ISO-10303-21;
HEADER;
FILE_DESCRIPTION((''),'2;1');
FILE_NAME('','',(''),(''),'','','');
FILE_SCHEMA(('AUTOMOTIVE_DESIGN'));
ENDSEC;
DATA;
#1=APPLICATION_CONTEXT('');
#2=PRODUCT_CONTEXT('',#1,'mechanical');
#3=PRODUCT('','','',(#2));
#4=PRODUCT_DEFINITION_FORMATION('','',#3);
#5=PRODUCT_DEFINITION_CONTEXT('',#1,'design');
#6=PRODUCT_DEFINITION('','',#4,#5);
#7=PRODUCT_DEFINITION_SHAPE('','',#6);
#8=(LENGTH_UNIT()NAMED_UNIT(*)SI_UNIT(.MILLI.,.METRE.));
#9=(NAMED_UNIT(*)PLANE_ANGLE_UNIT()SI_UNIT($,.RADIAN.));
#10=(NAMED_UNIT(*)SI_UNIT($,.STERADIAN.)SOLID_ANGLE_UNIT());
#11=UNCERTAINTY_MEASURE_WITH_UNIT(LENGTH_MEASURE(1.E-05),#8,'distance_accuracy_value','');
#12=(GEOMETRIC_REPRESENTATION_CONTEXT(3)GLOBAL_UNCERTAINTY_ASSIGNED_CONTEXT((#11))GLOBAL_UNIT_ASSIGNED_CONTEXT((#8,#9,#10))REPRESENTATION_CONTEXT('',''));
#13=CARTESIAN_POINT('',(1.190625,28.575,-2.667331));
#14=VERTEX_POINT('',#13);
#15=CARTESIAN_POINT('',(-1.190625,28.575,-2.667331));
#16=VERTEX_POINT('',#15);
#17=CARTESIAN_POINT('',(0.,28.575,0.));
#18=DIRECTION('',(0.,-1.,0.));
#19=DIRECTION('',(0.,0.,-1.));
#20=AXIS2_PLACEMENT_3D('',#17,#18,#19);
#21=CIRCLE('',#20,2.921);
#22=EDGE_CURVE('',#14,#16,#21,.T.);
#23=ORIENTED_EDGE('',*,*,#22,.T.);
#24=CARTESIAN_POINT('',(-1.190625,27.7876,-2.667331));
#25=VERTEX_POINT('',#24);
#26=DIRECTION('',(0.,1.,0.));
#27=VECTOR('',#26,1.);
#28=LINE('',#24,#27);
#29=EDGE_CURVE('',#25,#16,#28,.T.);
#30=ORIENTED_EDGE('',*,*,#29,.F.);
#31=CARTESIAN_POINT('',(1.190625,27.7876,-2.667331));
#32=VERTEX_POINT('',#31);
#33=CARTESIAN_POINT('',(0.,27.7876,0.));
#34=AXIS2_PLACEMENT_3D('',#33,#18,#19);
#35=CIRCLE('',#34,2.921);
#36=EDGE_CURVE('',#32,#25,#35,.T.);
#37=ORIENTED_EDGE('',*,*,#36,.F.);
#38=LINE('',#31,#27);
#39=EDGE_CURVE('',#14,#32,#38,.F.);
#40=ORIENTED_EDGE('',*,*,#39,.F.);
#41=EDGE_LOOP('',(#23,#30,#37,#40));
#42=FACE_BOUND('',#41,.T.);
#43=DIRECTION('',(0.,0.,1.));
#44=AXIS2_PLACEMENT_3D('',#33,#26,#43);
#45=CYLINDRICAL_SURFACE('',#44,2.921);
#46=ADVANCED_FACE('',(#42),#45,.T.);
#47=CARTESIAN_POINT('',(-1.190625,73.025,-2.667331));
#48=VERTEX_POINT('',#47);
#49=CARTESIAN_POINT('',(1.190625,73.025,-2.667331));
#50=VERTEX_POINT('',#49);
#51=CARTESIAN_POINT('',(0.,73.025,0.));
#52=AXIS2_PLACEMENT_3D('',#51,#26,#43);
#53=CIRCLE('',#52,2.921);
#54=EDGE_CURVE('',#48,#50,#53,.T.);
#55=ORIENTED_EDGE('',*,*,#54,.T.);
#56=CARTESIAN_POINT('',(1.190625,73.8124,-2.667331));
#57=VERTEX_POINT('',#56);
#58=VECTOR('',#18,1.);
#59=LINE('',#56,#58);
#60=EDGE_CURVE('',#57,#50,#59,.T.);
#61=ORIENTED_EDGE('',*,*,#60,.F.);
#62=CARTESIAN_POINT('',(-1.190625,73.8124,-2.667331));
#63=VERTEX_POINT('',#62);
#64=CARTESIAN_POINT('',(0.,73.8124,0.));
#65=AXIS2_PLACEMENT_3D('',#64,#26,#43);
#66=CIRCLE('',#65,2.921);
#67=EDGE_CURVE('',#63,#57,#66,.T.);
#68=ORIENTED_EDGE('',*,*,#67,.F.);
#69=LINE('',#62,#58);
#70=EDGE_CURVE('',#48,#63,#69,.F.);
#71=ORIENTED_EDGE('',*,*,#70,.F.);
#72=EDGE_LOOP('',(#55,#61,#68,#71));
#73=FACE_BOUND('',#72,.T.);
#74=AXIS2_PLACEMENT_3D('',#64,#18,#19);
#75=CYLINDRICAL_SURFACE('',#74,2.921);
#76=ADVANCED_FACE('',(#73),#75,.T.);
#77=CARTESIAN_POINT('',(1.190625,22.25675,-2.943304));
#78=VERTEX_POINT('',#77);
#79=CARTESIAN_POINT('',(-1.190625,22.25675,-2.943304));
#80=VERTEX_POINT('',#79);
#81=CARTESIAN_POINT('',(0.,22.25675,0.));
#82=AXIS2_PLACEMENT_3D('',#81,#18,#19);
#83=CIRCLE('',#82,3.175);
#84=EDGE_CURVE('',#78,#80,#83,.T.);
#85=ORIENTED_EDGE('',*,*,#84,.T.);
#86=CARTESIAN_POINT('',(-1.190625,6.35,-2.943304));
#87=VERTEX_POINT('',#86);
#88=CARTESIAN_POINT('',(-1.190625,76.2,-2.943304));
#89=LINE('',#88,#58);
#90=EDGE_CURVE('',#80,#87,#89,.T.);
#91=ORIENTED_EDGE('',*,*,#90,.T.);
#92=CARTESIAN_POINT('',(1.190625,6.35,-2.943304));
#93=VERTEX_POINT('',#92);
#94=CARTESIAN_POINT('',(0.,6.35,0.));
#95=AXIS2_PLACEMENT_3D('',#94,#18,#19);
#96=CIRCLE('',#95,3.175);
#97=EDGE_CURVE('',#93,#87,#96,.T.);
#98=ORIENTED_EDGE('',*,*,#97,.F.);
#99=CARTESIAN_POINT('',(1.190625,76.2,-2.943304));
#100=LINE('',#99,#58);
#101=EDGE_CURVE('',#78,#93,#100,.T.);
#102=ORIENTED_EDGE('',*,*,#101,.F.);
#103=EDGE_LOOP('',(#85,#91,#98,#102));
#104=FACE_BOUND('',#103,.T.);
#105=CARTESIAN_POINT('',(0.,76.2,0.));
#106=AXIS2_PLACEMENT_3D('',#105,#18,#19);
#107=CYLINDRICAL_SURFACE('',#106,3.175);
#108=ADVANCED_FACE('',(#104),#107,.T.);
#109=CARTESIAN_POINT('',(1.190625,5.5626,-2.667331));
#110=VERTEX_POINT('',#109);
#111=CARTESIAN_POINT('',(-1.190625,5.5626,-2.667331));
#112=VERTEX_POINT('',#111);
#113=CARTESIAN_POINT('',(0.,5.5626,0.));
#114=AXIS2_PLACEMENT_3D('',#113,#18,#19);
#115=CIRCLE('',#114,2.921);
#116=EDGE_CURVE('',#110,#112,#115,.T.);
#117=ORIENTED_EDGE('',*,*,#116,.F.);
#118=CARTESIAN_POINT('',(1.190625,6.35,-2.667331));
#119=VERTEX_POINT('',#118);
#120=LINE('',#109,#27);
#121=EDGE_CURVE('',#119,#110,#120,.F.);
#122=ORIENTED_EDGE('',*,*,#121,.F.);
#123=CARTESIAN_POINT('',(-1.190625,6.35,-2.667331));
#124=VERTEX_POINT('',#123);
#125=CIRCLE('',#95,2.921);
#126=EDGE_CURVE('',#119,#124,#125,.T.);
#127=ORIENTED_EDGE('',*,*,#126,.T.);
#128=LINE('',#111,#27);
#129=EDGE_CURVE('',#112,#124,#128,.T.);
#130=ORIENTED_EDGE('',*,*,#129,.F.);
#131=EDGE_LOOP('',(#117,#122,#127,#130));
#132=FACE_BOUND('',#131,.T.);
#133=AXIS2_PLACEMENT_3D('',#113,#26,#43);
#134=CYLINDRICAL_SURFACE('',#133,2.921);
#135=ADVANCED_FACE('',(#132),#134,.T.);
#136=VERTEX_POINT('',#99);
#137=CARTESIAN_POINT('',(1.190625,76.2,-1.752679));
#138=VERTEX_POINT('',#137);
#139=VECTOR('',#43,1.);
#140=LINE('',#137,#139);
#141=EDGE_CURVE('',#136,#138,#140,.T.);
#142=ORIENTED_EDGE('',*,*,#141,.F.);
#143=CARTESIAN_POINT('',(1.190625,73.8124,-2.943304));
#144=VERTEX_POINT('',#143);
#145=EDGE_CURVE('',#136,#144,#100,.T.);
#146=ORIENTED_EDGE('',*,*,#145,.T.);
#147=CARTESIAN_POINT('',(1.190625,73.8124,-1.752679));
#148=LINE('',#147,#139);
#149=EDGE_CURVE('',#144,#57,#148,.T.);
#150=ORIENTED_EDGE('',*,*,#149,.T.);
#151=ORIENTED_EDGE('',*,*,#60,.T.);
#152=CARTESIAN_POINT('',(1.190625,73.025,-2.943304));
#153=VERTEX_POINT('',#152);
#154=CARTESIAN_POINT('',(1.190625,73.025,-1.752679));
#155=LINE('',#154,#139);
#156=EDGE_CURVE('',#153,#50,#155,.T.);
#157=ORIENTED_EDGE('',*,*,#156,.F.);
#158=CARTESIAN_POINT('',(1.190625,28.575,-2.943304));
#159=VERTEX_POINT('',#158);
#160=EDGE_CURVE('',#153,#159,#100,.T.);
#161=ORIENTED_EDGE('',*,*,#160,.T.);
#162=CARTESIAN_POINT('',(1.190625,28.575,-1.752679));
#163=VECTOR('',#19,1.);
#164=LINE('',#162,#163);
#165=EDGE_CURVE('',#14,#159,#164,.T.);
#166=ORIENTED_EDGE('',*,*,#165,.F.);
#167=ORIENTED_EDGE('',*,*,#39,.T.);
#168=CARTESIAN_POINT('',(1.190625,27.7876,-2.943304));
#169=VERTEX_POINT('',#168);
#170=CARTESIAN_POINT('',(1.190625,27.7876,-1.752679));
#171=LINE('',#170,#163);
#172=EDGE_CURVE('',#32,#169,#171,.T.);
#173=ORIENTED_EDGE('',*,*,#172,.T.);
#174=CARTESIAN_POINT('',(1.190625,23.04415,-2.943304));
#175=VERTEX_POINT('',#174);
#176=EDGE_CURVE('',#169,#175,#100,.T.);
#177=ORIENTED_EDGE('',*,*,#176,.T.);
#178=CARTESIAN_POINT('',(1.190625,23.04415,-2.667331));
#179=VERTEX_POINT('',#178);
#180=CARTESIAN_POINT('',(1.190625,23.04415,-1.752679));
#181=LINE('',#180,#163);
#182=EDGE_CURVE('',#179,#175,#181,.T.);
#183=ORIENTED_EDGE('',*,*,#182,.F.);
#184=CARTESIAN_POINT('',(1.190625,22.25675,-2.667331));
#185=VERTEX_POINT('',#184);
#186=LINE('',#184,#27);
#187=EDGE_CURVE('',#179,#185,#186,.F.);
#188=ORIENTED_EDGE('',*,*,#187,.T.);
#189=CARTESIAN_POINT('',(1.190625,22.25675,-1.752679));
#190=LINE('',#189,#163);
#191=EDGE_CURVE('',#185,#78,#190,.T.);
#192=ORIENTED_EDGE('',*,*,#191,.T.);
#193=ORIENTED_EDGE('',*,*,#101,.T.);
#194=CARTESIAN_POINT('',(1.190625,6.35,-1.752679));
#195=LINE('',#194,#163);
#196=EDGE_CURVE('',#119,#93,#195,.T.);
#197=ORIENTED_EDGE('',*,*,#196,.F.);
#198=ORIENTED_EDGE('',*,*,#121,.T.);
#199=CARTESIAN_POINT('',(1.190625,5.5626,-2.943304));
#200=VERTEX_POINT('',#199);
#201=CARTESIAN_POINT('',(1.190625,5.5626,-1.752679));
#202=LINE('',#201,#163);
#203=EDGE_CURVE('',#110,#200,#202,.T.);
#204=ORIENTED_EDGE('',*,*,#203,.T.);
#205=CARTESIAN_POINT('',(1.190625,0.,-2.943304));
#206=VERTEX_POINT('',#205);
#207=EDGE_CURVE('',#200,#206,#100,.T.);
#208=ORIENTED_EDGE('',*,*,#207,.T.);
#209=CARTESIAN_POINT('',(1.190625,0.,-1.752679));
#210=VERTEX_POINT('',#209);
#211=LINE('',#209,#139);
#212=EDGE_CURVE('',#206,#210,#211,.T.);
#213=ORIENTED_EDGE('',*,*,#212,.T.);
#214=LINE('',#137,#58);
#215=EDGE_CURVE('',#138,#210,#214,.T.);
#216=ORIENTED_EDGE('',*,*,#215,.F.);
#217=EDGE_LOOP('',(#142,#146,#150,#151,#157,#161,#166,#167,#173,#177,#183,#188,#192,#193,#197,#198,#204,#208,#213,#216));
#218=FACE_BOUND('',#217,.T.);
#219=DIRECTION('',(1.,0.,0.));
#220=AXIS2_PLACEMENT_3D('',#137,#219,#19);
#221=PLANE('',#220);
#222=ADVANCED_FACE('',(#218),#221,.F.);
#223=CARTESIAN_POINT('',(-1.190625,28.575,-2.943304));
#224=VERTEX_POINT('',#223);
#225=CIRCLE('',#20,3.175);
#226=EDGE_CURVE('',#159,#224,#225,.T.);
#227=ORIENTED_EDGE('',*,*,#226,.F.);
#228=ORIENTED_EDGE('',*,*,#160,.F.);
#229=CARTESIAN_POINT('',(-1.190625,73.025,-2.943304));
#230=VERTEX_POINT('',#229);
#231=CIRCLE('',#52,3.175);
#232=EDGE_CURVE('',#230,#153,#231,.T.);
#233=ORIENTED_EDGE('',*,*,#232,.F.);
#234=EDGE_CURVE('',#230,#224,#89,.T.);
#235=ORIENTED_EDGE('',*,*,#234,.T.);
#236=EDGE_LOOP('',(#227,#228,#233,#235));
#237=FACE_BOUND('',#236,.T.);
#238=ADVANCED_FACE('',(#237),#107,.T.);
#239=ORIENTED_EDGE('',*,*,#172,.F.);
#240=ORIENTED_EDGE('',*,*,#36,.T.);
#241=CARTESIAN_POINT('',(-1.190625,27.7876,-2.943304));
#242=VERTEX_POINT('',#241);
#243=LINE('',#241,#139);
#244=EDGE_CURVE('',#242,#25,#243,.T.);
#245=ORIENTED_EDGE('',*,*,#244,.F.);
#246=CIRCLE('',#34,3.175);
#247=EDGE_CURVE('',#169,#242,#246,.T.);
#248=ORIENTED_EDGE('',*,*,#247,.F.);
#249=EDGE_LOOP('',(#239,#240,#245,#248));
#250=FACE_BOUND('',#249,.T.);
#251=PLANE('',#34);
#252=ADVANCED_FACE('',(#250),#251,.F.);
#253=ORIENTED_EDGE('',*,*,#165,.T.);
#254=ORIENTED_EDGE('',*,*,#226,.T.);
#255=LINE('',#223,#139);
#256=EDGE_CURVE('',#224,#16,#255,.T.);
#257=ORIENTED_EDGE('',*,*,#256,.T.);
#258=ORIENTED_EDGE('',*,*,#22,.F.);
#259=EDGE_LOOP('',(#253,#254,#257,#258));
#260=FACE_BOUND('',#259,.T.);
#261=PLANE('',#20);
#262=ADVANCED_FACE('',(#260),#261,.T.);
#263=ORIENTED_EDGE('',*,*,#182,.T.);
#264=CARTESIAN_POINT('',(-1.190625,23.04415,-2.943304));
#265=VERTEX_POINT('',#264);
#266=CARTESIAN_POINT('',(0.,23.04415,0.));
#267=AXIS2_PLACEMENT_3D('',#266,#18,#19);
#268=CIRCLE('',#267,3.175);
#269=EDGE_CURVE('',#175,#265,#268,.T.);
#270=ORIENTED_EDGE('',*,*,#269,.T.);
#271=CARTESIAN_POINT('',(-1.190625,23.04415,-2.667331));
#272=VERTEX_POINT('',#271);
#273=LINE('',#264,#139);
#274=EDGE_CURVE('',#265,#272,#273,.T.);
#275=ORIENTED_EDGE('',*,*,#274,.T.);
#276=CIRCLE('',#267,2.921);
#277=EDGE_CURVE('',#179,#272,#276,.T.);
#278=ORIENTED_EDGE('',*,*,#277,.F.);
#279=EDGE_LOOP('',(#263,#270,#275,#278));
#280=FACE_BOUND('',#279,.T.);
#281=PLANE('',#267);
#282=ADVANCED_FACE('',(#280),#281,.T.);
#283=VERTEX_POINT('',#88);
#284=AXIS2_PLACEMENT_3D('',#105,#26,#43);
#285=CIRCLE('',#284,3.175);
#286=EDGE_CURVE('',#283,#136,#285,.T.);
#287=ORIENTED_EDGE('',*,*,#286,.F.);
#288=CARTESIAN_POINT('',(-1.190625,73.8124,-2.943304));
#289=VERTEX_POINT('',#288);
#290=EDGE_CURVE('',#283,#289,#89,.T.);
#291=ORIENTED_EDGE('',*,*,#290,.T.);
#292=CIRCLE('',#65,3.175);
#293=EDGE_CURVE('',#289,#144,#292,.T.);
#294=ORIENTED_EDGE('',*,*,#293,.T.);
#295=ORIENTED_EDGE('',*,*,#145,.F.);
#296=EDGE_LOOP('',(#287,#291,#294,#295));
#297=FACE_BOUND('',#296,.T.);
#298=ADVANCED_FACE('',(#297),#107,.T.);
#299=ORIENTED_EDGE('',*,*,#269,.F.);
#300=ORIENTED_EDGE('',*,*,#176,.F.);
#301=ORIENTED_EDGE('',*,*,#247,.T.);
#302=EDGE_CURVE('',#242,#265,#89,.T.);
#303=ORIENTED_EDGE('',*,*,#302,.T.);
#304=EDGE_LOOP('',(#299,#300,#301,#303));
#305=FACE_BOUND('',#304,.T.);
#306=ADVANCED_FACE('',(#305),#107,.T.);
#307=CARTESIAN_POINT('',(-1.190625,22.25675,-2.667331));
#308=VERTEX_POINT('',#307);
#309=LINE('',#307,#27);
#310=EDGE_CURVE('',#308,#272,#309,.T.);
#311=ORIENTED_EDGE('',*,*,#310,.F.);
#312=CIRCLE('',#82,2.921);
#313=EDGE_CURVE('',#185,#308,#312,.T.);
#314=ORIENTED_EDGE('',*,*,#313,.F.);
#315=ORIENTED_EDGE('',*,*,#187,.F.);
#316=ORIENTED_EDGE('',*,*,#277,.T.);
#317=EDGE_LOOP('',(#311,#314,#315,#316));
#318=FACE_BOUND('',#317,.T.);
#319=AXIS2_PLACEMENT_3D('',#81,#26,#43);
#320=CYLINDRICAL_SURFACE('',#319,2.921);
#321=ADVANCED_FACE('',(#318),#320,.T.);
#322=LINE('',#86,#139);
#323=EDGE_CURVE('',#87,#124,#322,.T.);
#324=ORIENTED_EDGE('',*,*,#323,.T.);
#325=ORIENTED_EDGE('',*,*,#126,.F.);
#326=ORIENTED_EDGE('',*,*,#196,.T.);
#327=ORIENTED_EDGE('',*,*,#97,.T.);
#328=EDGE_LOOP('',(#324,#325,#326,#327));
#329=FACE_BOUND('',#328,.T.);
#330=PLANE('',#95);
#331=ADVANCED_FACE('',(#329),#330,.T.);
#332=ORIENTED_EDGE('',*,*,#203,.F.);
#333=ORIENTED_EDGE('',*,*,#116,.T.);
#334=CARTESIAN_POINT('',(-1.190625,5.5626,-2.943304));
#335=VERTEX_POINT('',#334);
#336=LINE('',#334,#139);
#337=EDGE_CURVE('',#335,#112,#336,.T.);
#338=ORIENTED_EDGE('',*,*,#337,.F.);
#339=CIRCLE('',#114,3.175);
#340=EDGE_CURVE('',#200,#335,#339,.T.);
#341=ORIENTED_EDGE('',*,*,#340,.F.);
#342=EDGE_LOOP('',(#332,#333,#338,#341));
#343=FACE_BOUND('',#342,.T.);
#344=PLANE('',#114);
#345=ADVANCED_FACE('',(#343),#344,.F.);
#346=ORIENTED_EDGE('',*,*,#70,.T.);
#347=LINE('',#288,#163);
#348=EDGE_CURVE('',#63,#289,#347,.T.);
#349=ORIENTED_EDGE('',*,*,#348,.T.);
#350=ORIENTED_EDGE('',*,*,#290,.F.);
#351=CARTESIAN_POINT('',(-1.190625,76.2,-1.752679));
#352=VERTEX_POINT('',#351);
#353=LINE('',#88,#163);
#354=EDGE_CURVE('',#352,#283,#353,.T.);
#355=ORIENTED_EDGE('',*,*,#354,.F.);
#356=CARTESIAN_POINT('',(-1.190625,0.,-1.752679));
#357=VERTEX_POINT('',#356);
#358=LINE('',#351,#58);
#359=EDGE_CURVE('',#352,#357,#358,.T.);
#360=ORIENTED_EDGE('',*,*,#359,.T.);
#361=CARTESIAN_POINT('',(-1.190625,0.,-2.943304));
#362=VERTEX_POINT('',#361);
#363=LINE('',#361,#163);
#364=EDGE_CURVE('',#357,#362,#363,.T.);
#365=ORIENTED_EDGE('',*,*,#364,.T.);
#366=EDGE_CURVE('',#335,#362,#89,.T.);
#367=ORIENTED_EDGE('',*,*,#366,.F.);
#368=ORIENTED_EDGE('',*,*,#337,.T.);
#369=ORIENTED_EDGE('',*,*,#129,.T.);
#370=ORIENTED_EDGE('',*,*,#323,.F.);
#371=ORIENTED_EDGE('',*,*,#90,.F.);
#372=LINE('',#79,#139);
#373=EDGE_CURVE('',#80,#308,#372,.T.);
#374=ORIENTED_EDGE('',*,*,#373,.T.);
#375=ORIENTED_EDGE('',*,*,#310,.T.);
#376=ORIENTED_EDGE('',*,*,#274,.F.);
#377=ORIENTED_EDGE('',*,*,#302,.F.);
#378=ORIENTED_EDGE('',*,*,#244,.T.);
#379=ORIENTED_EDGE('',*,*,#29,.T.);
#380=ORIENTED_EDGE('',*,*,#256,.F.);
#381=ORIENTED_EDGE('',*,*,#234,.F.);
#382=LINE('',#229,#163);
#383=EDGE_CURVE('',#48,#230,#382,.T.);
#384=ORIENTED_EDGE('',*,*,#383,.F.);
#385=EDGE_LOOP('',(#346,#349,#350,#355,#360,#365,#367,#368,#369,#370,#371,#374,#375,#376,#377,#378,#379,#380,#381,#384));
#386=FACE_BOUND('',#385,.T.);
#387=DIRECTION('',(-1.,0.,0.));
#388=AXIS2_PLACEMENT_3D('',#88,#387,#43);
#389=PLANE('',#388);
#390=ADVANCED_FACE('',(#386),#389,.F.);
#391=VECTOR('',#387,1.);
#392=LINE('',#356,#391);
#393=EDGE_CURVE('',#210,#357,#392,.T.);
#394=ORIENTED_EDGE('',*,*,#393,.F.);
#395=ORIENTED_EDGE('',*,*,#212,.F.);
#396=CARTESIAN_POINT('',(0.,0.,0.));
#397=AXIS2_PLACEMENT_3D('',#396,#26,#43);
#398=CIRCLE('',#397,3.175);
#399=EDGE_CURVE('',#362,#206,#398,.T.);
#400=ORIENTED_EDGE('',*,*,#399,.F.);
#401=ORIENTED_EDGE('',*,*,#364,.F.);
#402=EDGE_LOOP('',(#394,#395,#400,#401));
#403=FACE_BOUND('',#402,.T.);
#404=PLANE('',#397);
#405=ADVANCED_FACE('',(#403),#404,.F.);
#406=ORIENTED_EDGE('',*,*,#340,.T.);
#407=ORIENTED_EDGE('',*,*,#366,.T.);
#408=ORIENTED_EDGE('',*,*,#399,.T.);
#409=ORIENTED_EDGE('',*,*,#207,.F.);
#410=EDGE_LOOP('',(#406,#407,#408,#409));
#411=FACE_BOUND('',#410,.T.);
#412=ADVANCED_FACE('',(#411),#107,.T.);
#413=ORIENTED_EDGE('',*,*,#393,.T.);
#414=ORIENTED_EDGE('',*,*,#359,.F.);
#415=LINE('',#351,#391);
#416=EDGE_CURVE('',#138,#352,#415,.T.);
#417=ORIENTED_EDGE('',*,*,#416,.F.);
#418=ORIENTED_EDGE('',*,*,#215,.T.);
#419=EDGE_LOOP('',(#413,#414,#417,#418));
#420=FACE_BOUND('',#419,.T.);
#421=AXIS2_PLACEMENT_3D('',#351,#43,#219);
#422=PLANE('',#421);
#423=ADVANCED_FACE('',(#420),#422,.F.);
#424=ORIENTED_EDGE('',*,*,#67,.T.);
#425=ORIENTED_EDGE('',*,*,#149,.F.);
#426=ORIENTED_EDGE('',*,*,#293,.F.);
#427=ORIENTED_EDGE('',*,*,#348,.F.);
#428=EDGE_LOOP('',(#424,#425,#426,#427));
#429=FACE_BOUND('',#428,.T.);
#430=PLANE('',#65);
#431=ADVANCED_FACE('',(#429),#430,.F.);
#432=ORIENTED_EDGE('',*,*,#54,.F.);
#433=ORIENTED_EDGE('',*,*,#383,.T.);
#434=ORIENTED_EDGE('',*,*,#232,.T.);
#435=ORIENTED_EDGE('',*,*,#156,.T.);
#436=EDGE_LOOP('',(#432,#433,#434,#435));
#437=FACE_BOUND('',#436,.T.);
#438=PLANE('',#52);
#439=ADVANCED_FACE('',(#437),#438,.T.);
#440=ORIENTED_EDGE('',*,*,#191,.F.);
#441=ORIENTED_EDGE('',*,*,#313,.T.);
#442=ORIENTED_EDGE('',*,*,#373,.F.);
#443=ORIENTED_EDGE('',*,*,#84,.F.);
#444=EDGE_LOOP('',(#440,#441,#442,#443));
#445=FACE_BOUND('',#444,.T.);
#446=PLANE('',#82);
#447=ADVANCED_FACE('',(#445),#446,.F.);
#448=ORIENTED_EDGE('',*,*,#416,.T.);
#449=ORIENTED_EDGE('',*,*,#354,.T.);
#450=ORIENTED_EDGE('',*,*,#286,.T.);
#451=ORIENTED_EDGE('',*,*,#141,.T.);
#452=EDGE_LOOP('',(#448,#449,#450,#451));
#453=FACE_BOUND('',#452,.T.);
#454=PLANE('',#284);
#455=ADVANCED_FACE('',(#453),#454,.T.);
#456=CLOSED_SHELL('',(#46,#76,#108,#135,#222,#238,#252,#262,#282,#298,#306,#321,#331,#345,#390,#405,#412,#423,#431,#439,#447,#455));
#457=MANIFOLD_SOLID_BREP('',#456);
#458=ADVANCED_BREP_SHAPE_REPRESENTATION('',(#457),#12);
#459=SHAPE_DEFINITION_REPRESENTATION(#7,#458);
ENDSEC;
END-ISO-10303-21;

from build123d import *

# Parameters (mm, degrees)
BOSS_EXTRUDE1_DEPTH = 76.2
CUT_EXTRUDE1_START  = -3.175
SKETCH2_R           = 3.175
SKETCH2_R_2         = 2.921
CUT_EXTRUDE1_DEPTH  = 0.7874
CUT_EXTRUDE2_START  = -6.35
SKETCH3_R           = 3.175
SKETCH3_R_2         = 2.921
CUT_EXTRUDE2_DEPTH  = 0.7874
CUT_EXTRUDE3_START  = -23.04415
SKETCH3_5_R         = 3.175
SKETCH3_5_R_2       = 2.921
CUT_EXTRUDE3_DEPTH  = 0.7874
CUT_EXTRUDE4_START  = -28.575
SKETCH3_6_R         = 3.175
SKETCH3_6_R_2       = 2.921
CUT_EXTRUDE4_DEPTH  = 0.7874


with BuildPart() as part:
    # Sketch1 → Boss-Extrude1 (new body)
    with BuildSketch(Plane(origin=(0, 0, 0), x_dir=(1, 0, 0), z_dir=(0, 1, 0))):
        with BuildLine():
            Line((-1.190625, 2.943303775), (-1.190625, 1.752678775))
            Line((-1.190625, 1.752678775), (1.190625, 1.752678775))
            Line((1.190625, 1.752678775), (1.190625, 2.943303775))
            ThreePointArc((1.190625, 2.943303775), (0, -3.175), (-1.190625, 2.943303775))
        make_face()
    extrude(amount=BOSS_EXTRUDE1_DEPTH)

    # Sketch2 → Cut-Extrude1 (cut)
    with BuildSketch(Plane(origin=(0, 76.2, 0), x_dir=(1, 0, 0), z_dir=(0, 1, 0)).offset(CUT_EXTRUDE1_START)):
        Circle(SKETCH2_R)
        Circle(SKETCH2_R_2, mode=Mode.SUBTRACT)
    extrude(amount=CUT_EXTRUDE1_DEPTH, mode=Mode.SUBTRACT)

    # Sketch3 → Cut-Extrude2 (cut)
    with BuildSketch(Plane.XZ.offset(CUT_EXTRUDE2_START)):
        Circle(SKETCH3_R)
        Circle(SKETCH3_R_2, mode=Mode.SUBTRACT)
    extrude(amount=CUT_EXTRUDE2_DEPTH, mode=Mode.SUBTRACT)

    # Sketch3<5> → Cut-Extrude3 (cut)
    with BuildSketch(Plane.XZ.offset(CUT_EXTRUDE3_START)):
        Circle(SKETCH3_5_R)
        Circle(SKETCH3_5_R_2, mode=Mode.SUBTRACT)
    extrude(amount=CUT_EXTRUDE3_DEPTH, mode=Mode.SUBTRACT)

    # Sketch3<6> → Cut-Extrude4 (cut)
    with BuildSketch(Plane.XZ.offset(CUT_EXTRUDE4_START)):
        Circle(SKETCH3_6_R)
        Circle(SKETCH3_6_R_2, mode=Mode.SUBTRACT)
    extrude(amount=CUT_EXTRUDE4_DEPTH, mode=Mode.SUBTRACT)


solid = part.part
